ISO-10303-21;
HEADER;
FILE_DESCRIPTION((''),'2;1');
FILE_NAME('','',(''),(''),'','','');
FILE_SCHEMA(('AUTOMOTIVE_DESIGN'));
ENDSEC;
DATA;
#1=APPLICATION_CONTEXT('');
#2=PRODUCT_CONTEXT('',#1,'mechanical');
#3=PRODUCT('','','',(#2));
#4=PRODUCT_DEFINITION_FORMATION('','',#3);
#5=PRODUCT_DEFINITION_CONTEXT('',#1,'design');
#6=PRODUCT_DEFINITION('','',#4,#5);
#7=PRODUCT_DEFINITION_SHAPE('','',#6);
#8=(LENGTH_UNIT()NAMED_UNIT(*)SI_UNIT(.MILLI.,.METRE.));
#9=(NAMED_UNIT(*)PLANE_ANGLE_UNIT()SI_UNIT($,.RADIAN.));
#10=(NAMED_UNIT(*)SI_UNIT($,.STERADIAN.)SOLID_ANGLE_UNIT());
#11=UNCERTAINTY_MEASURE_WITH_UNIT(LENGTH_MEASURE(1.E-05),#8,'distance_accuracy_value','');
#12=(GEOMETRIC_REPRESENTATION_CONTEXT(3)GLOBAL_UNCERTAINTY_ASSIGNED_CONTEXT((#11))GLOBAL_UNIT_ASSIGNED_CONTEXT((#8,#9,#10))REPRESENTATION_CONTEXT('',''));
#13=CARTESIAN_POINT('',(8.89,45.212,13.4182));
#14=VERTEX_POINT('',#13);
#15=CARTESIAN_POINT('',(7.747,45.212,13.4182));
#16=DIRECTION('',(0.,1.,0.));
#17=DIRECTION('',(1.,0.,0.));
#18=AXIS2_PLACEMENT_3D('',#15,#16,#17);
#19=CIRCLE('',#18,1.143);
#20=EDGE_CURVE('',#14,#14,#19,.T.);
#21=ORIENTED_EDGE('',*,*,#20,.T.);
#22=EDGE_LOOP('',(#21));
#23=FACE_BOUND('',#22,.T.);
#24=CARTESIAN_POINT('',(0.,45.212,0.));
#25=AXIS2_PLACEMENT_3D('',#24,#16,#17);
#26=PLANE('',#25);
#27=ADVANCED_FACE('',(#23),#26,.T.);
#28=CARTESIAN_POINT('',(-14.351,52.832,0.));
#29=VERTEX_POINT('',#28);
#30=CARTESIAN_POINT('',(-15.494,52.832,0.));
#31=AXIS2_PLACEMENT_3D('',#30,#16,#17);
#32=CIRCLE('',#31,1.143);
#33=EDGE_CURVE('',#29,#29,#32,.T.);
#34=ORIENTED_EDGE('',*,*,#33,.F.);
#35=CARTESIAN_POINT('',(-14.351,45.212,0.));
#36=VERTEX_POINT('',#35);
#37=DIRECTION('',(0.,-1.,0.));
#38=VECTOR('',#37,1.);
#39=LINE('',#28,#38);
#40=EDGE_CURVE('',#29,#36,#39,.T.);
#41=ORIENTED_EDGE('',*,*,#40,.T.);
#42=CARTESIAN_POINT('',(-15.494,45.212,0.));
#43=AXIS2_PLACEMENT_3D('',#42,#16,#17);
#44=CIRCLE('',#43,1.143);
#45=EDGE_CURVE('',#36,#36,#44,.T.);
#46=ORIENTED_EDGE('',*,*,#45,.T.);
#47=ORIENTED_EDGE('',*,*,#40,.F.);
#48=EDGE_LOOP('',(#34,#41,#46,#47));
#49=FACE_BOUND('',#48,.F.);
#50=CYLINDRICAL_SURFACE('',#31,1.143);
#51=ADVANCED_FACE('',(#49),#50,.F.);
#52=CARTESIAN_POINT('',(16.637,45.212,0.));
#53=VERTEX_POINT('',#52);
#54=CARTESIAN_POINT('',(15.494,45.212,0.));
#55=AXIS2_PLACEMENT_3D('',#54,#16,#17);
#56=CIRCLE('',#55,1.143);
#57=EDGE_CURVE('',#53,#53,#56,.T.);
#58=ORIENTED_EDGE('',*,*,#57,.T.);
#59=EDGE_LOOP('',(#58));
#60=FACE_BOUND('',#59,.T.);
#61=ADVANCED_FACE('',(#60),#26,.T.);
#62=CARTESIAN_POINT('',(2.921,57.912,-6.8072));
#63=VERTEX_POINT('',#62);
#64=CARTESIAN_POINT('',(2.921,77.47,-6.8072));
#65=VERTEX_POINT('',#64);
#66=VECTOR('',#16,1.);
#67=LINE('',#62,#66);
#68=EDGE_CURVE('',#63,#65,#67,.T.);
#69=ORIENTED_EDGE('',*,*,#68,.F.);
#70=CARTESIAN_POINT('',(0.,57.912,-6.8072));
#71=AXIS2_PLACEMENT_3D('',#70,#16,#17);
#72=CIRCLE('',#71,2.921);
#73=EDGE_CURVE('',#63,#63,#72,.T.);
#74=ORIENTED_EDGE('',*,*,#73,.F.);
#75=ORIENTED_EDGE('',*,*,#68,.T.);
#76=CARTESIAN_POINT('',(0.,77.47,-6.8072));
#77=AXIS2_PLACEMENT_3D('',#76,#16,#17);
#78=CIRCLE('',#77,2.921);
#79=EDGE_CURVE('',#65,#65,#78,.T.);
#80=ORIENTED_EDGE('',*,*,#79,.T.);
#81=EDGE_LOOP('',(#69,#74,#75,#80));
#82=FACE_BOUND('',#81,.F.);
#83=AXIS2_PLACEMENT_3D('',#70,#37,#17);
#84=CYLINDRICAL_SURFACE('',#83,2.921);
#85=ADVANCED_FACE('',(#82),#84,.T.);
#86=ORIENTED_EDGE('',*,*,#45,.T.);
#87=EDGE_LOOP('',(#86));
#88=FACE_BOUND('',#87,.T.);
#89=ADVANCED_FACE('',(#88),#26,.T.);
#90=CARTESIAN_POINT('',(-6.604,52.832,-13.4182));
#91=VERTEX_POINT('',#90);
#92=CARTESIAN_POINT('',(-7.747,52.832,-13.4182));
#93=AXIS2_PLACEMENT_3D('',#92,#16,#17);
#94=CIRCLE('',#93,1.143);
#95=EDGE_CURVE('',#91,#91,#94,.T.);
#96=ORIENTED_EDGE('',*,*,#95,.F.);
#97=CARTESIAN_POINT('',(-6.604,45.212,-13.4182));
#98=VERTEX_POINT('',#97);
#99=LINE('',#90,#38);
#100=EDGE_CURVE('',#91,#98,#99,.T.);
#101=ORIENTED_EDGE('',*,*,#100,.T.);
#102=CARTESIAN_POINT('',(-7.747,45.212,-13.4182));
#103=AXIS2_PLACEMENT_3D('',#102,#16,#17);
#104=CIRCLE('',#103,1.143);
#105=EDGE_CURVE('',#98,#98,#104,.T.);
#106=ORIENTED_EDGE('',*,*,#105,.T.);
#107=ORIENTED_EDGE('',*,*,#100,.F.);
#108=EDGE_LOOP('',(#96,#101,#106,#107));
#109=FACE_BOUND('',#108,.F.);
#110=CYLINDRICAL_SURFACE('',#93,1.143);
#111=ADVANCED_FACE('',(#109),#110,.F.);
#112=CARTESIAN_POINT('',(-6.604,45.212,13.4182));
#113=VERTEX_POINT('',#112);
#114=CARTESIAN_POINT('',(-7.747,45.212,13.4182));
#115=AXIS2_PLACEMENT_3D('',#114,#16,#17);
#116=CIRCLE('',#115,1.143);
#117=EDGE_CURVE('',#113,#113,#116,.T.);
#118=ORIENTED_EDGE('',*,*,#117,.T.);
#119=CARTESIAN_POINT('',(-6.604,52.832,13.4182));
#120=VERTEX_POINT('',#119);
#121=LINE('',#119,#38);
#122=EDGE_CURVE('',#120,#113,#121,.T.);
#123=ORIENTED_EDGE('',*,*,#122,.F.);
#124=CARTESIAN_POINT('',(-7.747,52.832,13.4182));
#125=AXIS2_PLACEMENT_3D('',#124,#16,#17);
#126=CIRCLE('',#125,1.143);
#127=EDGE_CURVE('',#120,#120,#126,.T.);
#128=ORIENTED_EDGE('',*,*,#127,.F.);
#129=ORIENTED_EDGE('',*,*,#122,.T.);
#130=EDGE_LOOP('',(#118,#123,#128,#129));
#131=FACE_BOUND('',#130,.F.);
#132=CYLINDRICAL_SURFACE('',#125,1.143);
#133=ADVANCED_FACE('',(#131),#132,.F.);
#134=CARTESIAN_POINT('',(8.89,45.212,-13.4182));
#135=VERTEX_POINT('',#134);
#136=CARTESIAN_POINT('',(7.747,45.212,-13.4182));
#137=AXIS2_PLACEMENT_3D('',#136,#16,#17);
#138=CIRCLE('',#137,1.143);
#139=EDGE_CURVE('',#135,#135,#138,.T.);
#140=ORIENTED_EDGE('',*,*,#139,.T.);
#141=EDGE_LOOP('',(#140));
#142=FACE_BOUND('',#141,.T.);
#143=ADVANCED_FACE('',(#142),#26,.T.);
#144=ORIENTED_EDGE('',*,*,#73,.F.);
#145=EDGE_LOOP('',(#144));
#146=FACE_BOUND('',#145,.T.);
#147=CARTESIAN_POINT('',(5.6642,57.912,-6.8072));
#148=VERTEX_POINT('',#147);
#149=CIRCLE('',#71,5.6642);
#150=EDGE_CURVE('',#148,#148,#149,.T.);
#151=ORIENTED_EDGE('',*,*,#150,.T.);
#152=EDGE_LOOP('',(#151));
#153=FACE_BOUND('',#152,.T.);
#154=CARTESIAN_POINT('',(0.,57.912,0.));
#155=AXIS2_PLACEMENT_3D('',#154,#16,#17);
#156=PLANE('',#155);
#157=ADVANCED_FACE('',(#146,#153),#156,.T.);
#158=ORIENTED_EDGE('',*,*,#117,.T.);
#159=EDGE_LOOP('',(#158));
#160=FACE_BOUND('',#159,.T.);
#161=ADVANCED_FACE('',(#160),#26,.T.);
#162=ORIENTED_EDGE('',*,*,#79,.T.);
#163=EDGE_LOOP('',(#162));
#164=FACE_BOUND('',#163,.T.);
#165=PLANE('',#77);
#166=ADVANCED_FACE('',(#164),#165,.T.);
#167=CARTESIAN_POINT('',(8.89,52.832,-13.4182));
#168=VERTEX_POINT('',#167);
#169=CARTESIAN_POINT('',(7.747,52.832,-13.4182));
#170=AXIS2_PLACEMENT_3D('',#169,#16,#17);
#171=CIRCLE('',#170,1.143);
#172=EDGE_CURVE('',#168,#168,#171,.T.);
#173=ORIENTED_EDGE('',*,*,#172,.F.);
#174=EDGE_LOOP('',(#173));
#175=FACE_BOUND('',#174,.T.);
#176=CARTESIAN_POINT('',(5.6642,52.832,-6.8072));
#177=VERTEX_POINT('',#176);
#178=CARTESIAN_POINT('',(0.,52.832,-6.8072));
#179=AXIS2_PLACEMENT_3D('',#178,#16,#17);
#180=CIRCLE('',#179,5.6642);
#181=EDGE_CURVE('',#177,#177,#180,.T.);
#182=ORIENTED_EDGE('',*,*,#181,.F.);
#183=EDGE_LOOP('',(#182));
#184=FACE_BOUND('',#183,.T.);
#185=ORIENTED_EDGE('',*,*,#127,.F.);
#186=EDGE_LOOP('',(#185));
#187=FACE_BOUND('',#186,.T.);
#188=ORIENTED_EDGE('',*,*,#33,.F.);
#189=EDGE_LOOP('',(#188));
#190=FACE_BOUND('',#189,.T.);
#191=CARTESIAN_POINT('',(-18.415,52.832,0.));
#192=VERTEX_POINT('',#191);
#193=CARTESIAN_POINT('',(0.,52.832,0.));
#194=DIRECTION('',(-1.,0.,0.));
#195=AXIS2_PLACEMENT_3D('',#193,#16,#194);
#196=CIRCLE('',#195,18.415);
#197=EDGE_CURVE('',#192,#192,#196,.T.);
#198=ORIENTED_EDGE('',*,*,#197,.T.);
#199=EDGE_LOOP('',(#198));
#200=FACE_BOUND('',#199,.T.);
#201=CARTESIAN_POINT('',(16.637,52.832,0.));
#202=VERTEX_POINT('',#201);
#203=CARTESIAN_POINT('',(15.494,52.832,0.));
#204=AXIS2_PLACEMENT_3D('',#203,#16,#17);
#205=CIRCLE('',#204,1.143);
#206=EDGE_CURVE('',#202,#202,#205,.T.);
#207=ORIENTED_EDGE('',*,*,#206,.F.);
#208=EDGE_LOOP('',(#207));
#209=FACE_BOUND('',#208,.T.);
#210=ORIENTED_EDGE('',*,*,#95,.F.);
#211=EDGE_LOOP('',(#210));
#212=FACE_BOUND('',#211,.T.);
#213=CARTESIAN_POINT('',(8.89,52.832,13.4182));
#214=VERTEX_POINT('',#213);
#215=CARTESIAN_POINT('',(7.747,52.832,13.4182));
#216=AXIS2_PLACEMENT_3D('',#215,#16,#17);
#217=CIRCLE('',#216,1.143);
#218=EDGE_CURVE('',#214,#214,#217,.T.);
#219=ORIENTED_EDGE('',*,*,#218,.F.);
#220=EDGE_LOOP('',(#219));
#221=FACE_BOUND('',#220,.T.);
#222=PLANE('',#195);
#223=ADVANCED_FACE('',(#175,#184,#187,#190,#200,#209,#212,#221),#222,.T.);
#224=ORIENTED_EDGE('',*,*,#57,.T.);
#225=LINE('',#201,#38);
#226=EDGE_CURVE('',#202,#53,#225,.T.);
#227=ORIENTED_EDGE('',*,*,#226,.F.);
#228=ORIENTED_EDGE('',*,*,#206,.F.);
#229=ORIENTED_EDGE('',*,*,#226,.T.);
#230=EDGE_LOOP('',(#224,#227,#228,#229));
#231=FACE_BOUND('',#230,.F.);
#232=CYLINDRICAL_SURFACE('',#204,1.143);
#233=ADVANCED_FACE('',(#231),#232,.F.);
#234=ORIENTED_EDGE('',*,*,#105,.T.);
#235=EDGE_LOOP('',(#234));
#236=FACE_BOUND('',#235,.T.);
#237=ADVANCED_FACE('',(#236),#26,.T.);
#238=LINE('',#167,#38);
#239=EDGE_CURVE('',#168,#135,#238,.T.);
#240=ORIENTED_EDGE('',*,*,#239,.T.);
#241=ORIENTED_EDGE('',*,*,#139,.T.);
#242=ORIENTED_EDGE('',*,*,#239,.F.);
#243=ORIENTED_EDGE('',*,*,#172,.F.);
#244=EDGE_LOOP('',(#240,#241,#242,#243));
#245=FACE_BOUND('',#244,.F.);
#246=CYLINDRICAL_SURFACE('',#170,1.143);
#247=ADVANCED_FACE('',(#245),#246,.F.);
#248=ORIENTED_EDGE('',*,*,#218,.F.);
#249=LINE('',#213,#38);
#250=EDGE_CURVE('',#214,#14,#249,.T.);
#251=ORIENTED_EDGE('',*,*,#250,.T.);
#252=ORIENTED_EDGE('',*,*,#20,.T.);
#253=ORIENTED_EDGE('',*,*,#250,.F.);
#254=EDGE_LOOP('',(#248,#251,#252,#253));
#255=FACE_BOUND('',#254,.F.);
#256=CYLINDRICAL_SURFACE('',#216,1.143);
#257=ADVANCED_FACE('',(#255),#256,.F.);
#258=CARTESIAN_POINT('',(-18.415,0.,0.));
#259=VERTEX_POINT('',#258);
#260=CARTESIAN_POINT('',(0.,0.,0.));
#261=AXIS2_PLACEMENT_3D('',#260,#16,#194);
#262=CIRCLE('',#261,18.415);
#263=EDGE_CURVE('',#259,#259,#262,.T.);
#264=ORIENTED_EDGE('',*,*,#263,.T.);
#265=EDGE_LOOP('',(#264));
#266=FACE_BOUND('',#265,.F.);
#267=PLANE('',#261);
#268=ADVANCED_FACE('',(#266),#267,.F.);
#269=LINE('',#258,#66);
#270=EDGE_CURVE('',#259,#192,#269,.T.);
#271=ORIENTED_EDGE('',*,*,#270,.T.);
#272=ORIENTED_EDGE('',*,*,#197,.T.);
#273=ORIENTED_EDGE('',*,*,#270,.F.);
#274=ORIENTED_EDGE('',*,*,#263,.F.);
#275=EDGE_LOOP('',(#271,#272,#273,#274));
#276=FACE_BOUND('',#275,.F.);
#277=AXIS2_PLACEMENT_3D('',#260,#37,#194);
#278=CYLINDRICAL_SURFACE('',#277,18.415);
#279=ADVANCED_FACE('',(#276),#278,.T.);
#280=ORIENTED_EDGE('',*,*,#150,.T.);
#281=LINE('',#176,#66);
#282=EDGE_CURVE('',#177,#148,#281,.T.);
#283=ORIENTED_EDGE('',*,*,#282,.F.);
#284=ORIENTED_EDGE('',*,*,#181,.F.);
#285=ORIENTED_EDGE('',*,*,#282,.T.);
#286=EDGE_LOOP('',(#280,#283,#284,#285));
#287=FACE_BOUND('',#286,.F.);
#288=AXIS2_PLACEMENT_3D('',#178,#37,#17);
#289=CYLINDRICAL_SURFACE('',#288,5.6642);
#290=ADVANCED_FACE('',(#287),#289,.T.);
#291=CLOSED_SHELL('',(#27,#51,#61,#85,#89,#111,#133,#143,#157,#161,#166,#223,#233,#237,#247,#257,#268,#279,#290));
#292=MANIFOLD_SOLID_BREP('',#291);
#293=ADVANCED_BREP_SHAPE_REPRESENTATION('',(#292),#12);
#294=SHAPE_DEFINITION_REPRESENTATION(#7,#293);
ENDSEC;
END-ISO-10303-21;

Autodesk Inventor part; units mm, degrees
ref_plane "YZ Plane" through (0, 0, 0) normal (1, 0, 0) x (0, 1, 0)
ref_plane "XZ Plane" through (0, 0, 0) normal (0, 1, 0) x (-1, 0, 0)
ref_plane "XY Plane" through (0, 0, 0) normal (0, 0, 1) x (1, 0, 0)
sketch "Sketch1" plane through (0, 0, 0) normal (0, 1, 0) x (-1, 0, 0)
  circle A0 centre (0, 0) radius 18.415
  dimension "d0" = 36.83
extrude "Extrusion1" add sketch "Sketch1" along normal blind 52.832
sketch "Sketch2" plane through (0, 52.832, 0) normal (0, 1, 0) x (1, 0, 0)
  circle A0 centre (0, 6.8072) radius 5.6642
  line L0 (-18.3795, 1.143) -> (18.3795, 1.143) construction
  circle A1 centre (0, 0) radius 18.415 projected
  line L1 (-28.9381, -18.415) -> (33.3416, -18.415) construction
  circle A2 centre (0, 0) radius 18.415 projected
  dimension "d3" = 11.3284
  dimension "d10" = 19.558
extrude "Extrusion2" add sketch "Sketch2" along normal blind 5.08 contours A0
sketch "Sketch3" plane through (0, 57.912, -6.8072) normal (0, 1, 0) x (1, 0, 0)
  circle A0 centre (0, 0) radius 2.921
  point P0 (0, -6.8072)
  dimension "d6" = 5.842
extrude "Extrusion3" add sketch "Sketch3" along normal blind 19.558
sketch "Sketch4" plane through (0, 52.832, 0) normal (0, 1, 0) x (1, 0, 0)
  circle A0 centre (-7.747, 13.4182) radius 1.143
  circle A1 centre (0, 6.8072) radius 5.6642 projected
  circle A2 centre (0, 0) radius 18.415 projected
  circle A3 centre (-15.494, 0) radius 1.143
  circle A4 centre (-7.747, -13.4182) radius 1.143
  circle A5 centre (7.747, -13.4182) radius 1.143
  circle A6 centre (15.494, 0) radius 1.143
  circle A7 centre (7.747, 13.4182) radius 1.143
  circle A8 centre (0, 0) radius 18.415 projected
  line L0 (0, 0) -> (-16.637, 0) construction
  line L1 (-18.415, 3.3425) -> (-18.415, -3.4032) construction
  dimension "d11" = 2.286
  dimension "d14" = 360
  dimension "d16" = 1.778
extrude "Extrusion4" cut sketch "Sketch4" against normal blind 7.62 contours A0 | A3 | A4 | A5 | A6 | A7
properties part number "DC 12V 200RPM"
